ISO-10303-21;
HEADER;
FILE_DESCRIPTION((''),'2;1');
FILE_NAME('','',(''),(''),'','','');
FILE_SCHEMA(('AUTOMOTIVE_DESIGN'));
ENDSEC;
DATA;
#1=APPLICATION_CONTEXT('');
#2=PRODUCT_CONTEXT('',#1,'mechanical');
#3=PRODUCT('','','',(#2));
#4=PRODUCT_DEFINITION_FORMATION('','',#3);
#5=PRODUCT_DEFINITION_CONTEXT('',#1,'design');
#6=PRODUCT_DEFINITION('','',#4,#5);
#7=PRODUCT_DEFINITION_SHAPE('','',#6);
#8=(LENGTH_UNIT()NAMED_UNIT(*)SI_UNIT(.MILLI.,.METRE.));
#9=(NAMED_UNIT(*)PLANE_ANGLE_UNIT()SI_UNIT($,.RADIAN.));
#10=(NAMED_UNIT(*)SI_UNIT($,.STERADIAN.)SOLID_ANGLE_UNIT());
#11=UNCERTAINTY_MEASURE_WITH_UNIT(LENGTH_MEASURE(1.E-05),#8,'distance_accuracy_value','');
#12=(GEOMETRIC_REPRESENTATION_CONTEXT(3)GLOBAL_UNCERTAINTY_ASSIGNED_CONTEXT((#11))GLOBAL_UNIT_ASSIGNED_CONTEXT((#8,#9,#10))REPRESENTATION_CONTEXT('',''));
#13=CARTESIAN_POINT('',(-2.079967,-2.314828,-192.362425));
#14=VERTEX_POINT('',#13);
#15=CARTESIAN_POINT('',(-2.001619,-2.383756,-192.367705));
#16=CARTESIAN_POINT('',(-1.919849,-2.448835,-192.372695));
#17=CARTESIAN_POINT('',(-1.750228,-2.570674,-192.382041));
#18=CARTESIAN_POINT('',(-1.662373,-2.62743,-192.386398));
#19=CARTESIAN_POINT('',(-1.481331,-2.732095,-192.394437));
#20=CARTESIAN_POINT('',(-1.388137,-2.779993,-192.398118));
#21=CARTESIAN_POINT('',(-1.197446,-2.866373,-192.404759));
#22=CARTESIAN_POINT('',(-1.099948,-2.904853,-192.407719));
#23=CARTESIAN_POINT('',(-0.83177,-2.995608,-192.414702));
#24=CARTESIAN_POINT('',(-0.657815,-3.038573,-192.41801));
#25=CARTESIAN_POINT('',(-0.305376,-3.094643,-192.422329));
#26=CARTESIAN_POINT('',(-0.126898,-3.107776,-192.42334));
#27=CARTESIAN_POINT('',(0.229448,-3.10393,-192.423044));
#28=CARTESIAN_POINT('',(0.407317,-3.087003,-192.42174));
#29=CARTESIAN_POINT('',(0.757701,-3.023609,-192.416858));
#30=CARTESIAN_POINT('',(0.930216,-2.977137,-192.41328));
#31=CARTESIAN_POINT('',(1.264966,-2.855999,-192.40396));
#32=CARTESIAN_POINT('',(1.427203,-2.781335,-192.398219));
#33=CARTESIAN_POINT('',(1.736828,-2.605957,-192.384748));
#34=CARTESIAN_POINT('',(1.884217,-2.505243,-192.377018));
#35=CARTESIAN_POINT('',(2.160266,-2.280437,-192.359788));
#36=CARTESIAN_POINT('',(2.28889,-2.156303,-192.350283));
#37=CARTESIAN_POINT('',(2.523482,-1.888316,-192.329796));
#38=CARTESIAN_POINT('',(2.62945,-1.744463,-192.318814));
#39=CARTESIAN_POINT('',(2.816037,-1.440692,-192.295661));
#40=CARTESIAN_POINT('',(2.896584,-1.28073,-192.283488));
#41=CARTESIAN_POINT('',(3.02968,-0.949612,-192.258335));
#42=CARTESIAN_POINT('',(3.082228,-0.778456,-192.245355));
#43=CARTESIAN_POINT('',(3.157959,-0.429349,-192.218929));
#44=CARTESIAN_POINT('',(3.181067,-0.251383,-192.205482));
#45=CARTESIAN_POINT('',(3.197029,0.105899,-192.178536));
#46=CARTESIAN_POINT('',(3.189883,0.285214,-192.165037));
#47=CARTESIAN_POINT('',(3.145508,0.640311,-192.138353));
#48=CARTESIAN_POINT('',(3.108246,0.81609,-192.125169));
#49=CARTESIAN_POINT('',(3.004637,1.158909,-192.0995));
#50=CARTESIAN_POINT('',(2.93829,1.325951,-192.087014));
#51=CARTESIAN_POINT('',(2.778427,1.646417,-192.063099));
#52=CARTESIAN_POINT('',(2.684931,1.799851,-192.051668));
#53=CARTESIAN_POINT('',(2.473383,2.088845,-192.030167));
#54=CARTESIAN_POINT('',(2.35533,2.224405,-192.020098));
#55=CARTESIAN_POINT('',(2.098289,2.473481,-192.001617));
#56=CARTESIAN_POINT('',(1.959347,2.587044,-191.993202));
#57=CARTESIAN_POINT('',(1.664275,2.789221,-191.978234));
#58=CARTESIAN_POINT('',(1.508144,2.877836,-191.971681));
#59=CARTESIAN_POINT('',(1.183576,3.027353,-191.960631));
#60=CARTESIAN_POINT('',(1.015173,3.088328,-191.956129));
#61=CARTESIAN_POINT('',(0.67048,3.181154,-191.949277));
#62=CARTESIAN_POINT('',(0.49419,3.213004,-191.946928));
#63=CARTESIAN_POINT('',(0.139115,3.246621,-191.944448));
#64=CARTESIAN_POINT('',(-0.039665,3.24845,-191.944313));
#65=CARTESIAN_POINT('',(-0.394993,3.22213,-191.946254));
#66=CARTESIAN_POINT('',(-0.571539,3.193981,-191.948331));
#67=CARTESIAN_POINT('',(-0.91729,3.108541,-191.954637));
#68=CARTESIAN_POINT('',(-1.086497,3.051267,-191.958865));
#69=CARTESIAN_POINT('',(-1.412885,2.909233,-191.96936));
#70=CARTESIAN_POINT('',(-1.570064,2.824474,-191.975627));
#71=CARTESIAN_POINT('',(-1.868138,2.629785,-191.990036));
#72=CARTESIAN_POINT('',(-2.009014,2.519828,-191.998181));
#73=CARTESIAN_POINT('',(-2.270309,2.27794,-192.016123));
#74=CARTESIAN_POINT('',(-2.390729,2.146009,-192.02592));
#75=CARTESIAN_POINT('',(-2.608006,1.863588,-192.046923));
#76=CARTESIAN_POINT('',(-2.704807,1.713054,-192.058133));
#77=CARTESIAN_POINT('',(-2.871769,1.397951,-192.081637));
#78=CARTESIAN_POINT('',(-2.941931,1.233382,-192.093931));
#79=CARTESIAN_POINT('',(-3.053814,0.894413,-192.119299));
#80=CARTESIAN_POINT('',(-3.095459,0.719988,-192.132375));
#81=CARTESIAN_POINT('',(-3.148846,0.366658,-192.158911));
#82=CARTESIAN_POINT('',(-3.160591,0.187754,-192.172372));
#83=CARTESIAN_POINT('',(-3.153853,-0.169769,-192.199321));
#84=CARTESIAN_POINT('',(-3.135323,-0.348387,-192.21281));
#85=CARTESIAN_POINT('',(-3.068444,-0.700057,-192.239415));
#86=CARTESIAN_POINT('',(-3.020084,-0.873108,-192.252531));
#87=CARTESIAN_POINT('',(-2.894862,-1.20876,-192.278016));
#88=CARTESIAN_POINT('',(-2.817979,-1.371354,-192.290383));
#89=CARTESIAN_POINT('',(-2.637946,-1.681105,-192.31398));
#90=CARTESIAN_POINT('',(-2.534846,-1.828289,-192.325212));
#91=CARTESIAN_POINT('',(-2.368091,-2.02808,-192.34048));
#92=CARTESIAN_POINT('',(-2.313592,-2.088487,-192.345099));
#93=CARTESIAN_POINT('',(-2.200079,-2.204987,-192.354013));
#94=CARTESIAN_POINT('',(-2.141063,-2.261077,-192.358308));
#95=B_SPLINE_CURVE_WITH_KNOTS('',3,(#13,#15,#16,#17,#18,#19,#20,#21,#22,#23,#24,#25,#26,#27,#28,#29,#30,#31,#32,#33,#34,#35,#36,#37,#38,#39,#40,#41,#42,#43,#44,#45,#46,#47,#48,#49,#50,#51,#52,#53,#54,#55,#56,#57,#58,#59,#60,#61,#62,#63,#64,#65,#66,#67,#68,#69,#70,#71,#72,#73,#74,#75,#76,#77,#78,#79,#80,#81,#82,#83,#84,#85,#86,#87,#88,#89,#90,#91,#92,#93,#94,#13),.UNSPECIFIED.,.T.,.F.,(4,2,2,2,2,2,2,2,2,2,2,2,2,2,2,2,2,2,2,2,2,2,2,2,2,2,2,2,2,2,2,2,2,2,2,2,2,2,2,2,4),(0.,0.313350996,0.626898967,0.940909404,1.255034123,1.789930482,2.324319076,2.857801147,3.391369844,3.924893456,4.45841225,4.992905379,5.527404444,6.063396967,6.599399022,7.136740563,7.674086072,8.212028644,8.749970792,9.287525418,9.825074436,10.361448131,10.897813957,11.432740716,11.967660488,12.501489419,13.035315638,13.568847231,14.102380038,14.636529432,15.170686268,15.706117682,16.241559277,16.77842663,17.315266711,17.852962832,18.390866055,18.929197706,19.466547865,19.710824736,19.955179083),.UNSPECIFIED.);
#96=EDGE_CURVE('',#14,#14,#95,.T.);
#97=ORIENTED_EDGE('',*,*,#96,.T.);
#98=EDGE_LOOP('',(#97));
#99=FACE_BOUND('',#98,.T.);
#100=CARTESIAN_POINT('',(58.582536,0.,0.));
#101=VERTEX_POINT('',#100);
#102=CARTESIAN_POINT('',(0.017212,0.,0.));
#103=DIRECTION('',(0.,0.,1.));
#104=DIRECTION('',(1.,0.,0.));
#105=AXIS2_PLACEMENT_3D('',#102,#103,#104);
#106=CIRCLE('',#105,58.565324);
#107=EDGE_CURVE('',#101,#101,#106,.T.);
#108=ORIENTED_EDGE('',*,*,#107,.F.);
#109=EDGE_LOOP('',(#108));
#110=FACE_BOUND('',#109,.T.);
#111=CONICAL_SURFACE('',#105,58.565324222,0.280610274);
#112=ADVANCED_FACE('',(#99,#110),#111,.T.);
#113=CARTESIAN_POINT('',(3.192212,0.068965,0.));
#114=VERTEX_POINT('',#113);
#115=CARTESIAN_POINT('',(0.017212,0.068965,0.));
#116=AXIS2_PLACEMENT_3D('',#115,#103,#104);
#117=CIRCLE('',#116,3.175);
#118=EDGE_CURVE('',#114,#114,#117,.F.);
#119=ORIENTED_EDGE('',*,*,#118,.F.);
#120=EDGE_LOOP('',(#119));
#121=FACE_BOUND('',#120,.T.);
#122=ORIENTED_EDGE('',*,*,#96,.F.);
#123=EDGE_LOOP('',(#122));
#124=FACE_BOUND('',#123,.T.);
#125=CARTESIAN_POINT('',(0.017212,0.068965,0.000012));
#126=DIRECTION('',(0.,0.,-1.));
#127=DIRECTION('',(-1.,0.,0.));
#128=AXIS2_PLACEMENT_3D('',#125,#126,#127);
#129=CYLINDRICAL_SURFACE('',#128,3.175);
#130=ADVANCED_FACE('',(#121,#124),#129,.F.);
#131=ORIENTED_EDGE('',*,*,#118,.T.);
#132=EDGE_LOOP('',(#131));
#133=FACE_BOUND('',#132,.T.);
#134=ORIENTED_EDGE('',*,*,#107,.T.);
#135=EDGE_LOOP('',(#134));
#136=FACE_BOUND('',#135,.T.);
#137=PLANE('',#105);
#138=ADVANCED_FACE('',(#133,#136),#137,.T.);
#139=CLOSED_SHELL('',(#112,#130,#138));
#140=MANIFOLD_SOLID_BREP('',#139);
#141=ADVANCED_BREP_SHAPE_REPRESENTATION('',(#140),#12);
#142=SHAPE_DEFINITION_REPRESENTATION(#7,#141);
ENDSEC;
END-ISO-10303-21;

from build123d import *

# Parameters (mm, degrees)
CUT_EXTRUDE1_DEPTH      = 220.435755361
CUT_EXTRUDE1_DEPTH_BACK = 203.2
SKETCH1_R               = 3.175


with BuildPart() as part:
    # Sketch2 → Revolve1 (revolve)
    with BuildSketch(Plane(origin=(0, 0, 0), x_dir=(1, 0, 0), z_dir=(0, 1, 0))):
        Polygon((0.017211825, 0), (0.017211825, 203.2), (58.582536047, 0), align=None)
    revolve(axis=Axis((0.017211825, 0, 0), (0, 0, -1)))

    # Sketch1 → Cut-Extrude1 (cut, two sides: drawn at the far end of the back side and taken through both)
    with BuildSketch(Plane.XY.offset(-CUT_EXTRUDE1_DEPTH_BACK)):
        with Locations(Location((0.017211825, 0.068964518, 0), (0, 0, 228.659791567))):
            Circle(SKETCH1_R)
    extrude(amount=CUT_EXTRUDE1_DEPTH + CUT_EXTRUDE1_DEPTH_BACK, mode=Mode.SUBTRACT)


solid = part.part
